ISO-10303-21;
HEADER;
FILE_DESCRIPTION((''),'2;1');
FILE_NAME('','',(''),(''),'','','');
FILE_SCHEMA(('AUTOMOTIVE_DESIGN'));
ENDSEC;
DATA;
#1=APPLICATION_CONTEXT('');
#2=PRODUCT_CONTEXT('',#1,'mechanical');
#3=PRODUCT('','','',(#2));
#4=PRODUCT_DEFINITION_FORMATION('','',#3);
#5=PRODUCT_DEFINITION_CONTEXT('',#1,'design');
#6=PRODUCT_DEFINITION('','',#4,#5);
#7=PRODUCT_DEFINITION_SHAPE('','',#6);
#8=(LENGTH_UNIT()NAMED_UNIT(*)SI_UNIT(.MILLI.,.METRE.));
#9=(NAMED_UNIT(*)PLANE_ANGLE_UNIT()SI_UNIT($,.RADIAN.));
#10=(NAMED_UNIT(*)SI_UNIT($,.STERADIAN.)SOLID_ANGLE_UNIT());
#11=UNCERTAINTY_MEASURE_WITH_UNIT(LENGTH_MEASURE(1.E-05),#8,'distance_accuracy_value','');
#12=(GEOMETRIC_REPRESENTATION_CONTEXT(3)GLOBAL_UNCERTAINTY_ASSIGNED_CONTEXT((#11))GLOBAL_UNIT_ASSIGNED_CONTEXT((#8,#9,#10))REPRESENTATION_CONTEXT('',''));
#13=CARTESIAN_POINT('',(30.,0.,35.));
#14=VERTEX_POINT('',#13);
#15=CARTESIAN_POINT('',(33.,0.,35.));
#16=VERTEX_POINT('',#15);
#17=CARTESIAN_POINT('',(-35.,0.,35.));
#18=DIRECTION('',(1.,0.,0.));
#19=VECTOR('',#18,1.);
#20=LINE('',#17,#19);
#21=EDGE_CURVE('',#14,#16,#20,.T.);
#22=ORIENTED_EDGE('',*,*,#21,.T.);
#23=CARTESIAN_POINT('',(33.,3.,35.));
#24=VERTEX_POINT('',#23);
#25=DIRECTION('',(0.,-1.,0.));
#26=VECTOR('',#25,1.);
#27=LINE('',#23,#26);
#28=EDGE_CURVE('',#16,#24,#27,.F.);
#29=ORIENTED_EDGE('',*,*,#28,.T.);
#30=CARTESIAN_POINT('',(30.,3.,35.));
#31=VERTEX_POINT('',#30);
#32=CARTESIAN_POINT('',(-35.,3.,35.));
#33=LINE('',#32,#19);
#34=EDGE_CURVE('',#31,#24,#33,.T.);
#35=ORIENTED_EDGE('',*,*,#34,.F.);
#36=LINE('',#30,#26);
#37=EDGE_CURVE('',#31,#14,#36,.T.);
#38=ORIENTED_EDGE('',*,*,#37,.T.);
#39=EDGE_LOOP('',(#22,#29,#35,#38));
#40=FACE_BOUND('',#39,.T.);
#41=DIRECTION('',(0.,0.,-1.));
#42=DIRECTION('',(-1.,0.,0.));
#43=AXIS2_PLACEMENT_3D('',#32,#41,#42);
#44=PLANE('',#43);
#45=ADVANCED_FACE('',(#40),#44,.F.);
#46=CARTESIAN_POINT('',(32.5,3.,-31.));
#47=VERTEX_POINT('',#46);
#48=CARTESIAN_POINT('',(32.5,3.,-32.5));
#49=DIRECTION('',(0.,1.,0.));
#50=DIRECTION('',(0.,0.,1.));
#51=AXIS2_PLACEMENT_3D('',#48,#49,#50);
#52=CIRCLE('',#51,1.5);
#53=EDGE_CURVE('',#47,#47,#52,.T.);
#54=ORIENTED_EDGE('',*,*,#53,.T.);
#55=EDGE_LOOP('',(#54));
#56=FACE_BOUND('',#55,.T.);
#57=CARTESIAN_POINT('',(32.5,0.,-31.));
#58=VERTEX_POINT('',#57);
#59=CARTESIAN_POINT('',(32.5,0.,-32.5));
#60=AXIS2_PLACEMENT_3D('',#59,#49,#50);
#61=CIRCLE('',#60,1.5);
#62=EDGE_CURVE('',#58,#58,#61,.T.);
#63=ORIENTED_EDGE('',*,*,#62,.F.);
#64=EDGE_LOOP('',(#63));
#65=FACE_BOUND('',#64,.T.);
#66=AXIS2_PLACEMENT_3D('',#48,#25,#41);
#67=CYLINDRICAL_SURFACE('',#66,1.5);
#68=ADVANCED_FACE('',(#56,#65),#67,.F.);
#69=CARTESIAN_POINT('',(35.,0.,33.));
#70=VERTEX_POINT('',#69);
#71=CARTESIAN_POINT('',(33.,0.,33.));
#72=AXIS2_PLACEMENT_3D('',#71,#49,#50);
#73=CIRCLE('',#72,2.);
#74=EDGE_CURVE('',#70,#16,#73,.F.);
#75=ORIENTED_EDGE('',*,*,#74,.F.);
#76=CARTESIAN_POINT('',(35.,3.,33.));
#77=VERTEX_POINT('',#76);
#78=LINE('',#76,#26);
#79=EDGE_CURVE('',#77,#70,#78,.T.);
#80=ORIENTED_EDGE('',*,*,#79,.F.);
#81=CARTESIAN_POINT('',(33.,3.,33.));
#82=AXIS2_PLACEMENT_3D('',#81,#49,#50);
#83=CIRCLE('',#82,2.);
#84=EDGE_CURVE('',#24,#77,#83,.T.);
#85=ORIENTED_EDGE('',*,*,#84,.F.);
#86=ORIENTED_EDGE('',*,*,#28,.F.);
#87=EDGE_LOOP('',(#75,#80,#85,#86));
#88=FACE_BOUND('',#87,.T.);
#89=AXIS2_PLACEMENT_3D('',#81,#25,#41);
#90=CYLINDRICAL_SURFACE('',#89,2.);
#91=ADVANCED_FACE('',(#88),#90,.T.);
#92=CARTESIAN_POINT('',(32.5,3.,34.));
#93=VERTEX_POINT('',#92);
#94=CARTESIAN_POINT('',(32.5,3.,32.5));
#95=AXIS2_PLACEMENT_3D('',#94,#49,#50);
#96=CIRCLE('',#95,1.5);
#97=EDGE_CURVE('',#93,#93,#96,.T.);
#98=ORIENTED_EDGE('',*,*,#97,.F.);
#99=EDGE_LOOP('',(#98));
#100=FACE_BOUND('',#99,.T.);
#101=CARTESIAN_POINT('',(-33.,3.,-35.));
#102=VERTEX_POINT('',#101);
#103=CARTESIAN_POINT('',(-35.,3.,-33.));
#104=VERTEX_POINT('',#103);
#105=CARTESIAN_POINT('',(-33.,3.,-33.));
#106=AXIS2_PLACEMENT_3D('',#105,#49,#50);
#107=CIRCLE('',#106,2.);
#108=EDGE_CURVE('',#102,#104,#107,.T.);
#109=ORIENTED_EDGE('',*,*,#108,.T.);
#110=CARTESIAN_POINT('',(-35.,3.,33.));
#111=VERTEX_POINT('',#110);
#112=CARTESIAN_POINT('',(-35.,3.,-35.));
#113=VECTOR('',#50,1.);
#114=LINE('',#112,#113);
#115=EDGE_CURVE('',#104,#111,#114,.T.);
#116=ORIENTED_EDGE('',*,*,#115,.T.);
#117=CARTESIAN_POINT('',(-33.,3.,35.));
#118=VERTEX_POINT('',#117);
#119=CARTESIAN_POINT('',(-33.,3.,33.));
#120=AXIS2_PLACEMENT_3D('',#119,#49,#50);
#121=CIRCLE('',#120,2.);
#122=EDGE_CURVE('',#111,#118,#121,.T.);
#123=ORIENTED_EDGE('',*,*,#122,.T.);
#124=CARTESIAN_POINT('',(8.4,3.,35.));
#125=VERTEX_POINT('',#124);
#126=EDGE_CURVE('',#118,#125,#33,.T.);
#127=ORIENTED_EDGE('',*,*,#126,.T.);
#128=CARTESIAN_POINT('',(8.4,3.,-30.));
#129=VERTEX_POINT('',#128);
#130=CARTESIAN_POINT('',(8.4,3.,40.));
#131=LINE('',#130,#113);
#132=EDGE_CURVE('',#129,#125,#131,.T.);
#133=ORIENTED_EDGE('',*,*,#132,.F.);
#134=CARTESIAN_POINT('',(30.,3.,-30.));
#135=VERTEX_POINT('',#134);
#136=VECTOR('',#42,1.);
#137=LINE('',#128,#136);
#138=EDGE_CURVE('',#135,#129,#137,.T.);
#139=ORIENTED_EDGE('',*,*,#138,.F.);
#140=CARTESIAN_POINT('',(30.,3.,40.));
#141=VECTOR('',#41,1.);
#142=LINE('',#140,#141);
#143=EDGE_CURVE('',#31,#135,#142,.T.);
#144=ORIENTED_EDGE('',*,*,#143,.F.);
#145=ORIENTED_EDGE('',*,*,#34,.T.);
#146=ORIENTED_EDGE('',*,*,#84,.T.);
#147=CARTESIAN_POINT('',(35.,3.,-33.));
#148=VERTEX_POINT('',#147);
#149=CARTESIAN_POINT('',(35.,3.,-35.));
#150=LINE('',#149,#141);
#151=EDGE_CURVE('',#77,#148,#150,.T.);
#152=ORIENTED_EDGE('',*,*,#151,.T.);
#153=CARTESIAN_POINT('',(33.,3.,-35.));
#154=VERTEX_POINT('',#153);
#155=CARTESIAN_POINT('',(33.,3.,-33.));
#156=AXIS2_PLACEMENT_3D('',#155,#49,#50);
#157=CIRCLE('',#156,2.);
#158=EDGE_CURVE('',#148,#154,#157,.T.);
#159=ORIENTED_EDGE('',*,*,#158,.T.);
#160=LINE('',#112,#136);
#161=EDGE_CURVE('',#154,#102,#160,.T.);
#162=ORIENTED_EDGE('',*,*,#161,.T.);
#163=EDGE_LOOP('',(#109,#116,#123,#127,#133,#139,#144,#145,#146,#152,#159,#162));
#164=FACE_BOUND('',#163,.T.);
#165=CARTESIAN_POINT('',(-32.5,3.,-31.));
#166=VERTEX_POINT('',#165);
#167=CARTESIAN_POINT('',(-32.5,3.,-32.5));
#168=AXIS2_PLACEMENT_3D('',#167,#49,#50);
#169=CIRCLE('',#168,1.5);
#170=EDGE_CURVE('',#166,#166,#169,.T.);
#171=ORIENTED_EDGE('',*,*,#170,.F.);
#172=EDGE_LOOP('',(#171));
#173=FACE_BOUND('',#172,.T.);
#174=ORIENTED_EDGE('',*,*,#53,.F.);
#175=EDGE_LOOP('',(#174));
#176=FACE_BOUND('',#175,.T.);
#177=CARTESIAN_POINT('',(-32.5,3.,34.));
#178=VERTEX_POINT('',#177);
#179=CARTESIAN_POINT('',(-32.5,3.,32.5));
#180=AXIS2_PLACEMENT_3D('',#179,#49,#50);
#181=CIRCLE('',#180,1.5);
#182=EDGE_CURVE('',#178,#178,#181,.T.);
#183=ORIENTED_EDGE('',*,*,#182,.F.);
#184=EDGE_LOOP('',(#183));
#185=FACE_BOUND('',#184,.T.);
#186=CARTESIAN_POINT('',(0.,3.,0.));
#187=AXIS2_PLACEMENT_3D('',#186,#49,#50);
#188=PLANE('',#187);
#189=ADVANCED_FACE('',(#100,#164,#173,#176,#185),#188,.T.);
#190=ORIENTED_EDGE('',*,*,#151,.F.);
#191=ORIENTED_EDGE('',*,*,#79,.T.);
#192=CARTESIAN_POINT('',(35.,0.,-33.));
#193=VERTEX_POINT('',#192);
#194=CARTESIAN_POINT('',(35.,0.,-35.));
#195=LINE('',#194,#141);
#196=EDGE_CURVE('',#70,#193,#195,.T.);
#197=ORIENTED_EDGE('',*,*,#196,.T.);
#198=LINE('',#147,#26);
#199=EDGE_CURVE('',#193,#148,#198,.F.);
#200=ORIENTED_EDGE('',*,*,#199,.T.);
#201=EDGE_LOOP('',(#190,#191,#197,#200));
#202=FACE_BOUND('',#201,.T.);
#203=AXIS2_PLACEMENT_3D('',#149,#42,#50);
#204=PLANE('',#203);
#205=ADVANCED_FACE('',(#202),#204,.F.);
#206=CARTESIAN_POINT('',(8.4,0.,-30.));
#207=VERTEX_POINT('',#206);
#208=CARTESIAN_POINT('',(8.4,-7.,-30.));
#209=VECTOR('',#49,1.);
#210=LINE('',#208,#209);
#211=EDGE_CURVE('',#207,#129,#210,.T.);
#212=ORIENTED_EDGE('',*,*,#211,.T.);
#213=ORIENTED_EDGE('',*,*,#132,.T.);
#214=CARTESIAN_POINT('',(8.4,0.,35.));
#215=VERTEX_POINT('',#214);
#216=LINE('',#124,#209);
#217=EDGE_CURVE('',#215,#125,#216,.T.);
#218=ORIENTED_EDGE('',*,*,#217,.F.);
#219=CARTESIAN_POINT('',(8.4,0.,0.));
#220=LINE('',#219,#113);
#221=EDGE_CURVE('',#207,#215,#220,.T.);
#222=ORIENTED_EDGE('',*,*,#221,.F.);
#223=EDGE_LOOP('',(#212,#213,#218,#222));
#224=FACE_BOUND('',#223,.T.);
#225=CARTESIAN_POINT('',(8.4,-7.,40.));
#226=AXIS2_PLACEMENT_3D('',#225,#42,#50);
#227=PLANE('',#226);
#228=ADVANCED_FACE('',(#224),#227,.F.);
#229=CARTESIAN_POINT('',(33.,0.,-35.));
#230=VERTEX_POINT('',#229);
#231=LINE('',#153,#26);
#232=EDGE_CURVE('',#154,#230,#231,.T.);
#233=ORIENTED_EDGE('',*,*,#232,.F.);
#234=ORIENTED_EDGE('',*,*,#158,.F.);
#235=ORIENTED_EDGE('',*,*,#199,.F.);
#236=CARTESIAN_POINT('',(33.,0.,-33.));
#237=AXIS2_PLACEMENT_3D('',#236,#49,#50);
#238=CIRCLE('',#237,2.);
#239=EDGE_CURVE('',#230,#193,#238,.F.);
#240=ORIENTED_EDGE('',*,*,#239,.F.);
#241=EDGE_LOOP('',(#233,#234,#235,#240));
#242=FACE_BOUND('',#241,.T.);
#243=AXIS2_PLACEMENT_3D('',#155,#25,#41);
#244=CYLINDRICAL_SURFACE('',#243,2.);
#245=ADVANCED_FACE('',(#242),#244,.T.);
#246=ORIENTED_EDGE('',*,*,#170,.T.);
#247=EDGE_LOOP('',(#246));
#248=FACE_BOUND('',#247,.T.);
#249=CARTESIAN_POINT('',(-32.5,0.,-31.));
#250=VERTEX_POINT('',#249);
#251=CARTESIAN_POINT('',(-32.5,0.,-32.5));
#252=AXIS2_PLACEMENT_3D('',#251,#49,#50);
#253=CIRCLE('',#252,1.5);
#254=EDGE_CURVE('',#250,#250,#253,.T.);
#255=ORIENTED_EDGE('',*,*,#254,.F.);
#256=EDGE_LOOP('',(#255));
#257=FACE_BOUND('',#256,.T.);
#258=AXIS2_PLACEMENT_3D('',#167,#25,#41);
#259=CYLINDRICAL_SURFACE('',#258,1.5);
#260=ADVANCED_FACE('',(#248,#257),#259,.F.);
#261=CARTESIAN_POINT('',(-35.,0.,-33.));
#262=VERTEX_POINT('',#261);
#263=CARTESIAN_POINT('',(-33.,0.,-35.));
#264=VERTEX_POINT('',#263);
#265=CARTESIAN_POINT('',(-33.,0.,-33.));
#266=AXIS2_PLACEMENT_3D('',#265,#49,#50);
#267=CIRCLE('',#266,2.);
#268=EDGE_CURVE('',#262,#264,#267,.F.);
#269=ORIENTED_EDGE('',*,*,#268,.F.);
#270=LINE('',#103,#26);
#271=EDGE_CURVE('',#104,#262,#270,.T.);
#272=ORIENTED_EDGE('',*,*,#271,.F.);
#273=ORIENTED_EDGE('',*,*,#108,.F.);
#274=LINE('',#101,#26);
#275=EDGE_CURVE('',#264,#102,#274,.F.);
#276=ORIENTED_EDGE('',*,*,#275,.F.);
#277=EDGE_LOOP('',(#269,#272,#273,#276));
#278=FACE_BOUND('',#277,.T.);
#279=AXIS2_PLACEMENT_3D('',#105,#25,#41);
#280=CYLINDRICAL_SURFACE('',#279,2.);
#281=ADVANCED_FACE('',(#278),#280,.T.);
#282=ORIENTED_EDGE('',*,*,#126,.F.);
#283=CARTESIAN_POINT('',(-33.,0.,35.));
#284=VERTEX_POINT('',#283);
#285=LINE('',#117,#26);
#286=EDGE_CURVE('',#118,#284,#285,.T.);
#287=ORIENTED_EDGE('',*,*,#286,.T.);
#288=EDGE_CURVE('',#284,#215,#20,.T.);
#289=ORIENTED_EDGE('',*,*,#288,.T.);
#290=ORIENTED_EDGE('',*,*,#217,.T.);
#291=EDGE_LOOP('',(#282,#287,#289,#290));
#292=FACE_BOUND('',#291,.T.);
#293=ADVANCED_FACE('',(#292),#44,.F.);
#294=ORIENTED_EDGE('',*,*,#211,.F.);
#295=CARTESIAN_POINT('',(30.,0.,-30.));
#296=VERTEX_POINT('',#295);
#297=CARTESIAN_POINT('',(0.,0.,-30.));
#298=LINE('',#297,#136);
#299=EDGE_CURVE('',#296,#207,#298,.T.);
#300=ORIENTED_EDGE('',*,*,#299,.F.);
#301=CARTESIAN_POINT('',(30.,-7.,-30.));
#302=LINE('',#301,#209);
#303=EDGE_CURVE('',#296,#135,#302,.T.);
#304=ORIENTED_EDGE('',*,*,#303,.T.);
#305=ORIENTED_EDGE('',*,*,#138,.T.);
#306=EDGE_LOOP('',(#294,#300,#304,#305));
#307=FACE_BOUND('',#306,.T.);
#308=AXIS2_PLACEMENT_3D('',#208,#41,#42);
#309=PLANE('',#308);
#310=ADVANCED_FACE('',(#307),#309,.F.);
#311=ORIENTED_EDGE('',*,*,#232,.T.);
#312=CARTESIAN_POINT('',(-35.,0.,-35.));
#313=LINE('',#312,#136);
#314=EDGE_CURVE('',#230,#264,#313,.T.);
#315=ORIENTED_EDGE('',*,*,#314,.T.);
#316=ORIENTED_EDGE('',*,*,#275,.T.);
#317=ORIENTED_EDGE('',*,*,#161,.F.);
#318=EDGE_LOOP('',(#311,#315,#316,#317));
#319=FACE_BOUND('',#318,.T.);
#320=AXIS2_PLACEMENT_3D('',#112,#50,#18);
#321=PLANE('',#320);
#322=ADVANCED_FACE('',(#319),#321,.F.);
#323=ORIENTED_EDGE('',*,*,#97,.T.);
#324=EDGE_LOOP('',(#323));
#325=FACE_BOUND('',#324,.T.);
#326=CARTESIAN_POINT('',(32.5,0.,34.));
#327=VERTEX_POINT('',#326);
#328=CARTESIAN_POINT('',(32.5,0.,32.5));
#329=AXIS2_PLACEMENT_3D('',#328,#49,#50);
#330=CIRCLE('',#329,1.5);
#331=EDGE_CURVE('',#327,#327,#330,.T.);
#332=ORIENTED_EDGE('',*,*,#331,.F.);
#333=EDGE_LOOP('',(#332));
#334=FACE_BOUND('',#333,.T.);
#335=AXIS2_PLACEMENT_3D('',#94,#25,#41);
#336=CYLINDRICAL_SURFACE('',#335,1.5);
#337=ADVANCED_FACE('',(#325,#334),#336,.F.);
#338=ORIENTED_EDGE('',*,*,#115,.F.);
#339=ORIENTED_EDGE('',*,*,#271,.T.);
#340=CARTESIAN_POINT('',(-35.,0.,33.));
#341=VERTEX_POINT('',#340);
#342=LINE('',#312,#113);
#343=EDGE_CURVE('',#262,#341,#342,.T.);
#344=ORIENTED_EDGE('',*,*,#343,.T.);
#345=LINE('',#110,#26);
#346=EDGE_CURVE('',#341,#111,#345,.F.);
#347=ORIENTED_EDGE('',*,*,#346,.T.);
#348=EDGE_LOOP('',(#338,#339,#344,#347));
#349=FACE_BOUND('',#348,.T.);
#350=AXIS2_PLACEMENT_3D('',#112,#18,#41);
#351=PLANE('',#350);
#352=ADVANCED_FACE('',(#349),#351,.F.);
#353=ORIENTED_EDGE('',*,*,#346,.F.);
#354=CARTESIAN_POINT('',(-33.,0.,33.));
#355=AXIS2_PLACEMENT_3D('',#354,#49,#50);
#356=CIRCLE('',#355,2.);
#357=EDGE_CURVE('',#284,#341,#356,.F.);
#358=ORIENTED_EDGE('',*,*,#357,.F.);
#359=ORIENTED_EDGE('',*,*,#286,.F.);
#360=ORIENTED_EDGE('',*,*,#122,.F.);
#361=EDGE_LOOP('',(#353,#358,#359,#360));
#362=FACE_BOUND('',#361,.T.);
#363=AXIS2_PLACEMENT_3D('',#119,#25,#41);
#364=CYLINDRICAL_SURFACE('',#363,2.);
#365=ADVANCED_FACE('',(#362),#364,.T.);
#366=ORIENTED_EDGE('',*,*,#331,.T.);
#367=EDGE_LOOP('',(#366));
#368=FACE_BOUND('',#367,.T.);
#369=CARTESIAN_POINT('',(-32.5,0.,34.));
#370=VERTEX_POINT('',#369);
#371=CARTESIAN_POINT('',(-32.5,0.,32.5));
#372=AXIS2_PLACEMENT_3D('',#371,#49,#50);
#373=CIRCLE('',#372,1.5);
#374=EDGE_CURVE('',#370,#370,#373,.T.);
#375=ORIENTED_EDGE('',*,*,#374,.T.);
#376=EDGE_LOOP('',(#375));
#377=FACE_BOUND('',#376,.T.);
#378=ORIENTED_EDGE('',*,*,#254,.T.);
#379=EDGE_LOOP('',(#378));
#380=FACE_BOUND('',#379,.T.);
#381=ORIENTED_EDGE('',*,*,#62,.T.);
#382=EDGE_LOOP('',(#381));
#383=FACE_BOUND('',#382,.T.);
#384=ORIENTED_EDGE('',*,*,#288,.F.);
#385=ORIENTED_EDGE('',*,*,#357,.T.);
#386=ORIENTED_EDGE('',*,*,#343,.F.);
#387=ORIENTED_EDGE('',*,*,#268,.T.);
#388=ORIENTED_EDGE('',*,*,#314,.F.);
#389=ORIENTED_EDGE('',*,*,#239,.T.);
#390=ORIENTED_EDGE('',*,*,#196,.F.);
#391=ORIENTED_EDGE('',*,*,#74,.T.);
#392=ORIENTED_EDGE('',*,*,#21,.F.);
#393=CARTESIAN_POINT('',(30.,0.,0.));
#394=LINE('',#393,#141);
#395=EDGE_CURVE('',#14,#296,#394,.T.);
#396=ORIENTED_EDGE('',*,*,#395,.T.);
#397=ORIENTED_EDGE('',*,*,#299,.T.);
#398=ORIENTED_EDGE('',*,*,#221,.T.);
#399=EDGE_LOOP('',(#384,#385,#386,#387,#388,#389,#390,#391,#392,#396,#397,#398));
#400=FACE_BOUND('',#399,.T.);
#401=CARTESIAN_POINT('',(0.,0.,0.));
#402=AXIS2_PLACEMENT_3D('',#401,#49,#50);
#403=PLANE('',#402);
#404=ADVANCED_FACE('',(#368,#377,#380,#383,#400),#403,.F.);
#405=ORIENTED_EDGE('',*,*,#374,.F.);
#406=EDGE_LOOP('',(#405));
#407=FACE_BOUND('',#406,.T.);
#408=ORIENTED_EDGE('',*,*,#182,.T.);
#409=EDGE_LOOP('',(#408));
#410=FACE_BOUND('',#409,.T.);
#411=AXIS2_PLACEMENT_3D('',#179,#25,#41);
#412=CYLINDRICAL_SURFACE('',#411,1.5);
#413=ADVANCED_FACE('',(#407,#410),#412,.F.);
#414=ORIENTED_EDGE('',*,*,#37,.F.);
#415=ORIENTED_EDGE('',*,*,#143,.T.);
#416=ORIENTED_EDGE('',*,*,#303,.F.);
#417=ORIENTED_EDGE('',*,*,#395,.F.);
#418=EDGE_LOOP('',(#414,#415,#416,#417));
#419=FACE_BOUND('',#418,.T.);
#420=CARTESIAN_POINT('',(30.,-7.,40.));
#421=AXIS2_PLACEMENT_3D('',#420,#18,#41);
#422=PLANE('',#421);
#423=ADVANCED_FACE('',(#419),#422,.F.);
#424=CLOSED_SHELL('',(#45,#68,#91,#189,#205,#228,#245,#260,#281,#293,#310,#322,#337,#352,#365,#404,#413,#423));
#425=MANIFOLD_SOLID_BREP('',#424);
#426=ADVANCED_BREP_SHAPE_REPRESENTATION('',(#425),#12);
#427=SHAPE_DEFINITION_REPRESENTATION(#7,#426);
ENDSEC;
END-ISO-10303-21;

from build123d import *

# Parameters (mm, degrees)
SKETCH1_W           = 70
SKETCH1_H           = 70
SKETCH1_R           = 1.5
BOSS_EXTRUDE1_DEPTH = 3
FILLET1_R           = 2
SKETCH2_W           = 21.6
SKETCH2_H           = 70
CUT_EXTRUDE2_DEPTH  = 10


with BuildPart() as part:
    # Sketch1 → Boss-Extrude1 (new body)
    with BuildSketch(Plane(origin=(0, 0, 0), x_dir=(1, 0, 0), z_dir=(0, 1, 0))):
        Rectangle(SKETCH1_W, SKETCH1_H)
        with Locations((-32.5, 32.5)):
            Circle(SKETCH1_R, mode=Mode.SUBTRACT)
        with Locations((32.5, 32.5)):
            Circle(SKETCH1_R, mode=Mode.SUBTRACT)
        with Locations((32.5, -32.5)):
            Circle(SKETCH1_R, mode=Mode.SUBTRACT)
        with Locations((-32.5, -32.5)):
            Circle(SKETCH1_R, mode=Mode.SUBTRACT)
    extrude(amount=BOSS_EXTRUDE1_DEPTH)

    # Fillet1
    fillet1_edges = [part.edges().sort_by_distance(p)[0] for p in [
        (35, 1.5, 35),
        (-35, 1.5, 35),
        (-35, 1.5, -35),
        (35, 1.5, -35),
    ]]
    fillet(fillet1_edges, radius=FILLET1_R)

    # Sketch2 → Cut-Extrude2 (cut)
    with BuildSketch(Plane(origin=(0, 3, 0), x_dir=(1, 0, 0), z_dir=(0, 1, 0))):
        with Locations((19.2, -5)):
            Rectangle(SKETCH2_W, SKETCH2_H)
    extrude(amount=-CUT_EXTRUDE2_DEPTH, mode=Mode.SUBTRACT)


solid = part.part
